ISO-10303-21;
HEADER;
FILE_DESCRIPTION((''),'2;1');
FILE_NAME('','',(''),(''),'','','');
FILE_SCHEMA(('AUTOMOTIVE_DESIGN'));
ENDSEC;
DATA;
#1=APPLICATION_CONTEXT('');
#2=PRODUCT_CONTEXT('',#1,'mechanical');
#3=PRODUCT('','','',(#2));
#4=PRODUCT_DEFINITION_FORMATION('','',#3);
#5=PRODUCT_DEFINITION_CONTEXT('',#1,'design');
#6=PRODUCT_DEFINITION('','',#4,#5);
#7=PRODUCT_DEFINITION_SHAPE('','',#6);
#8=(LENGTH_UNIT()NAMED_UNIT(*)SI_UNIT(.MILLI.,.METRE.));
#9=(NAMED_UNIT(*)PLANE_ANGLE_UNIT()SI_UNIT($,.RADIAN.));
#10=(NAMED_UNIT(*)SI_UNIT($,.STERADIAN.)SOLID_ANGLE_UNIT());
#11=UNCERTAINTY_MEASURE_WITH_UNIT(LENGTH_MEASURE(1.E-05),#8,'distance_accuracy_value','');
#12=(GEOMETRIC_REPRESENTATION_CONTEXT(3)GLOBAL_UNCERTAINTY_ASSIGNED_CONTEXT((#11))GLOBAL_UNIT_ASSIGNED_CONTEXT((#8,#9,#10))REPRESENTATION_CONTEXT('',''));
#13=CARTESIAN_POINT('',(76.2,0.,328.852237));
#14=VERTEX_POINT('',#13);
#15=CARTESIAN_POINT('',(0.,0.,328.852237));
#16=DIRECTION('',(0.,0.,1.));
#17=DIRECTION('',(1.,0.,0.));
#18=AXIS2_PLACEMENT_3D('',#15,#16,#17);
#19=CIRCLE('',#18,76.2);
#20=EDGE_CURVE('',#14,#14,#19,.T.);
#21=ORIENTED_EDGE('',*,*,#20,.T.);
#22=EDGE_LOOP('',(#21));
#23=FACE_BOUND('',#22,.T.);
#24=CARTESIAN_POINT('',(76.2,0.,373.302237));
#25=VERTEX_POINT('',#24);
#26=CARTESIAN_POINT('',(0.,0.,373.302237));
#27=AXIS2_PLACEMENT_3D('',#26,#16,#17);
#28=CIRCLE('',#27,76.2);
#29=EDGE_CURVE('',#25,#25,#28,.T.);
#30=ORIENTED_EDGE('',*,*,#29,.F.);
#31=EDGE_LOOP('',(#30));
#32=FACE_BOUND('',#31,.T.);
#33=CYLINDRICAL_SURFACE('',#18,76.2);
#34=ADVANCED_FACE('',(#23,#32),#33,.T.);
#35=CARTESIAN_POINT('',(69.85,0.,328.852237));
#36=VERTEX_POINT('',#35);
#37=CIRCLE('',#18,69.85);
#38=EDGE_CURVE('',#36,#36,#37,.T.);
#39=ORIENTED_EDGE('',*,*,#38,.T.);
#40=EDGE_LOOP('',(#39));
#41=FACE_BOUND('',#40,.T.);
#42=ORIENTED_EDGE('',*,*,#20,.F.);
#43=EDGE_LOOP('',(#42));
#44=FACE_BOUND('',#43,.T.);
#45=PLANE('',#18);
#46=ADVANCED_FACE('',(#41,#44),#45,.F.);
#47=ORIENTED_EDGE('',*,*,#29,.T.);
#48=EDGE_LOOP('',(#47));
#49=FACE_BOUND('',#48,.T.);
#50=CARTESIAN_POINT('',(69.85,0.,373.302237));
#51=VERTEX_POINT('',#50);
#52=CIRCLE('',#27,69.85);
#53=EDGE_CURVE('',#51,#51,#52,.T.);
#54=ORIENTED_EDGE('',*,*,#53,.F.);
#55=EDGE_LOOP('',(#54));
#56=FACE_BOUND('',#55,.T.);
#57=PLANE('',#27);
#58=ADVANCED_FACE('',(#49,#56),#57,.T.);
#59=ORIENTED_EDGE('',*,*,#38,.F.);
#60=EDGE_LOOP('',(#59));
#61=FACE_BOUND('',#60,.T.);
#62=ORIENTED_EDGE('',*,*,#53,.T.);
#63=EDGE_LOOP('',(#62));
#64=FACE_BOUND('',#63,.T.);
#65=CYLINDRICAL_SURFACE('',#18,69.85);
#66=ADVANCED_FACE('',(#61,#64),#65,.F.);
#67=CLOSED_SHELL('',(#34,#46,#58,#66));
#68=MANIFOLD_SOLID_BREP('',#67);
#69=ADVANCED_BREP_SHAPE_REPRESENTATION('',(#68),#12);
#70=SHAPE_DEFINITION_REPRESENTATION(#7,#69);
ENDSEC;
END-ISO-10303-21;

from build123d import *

# Parameters (mm, degrees)
SKETCH2_R      = 76.2
SKETCH2_R_2    = 69.85
EXTRUDE1_DEPTH = 44.45


with BuildPart() as part:
    # Sketch2 → Extrude1 (new body)
    with BuildSketch(Plane.XY.offset(373.3022368)):
        Circle(SKETCH2_R)
        Circle(SKETCH2_R_2, mode=Mode.SUBTRACT)
    extrude(amount=-EXTRUDE1_DEPTH)


solid = part.part
